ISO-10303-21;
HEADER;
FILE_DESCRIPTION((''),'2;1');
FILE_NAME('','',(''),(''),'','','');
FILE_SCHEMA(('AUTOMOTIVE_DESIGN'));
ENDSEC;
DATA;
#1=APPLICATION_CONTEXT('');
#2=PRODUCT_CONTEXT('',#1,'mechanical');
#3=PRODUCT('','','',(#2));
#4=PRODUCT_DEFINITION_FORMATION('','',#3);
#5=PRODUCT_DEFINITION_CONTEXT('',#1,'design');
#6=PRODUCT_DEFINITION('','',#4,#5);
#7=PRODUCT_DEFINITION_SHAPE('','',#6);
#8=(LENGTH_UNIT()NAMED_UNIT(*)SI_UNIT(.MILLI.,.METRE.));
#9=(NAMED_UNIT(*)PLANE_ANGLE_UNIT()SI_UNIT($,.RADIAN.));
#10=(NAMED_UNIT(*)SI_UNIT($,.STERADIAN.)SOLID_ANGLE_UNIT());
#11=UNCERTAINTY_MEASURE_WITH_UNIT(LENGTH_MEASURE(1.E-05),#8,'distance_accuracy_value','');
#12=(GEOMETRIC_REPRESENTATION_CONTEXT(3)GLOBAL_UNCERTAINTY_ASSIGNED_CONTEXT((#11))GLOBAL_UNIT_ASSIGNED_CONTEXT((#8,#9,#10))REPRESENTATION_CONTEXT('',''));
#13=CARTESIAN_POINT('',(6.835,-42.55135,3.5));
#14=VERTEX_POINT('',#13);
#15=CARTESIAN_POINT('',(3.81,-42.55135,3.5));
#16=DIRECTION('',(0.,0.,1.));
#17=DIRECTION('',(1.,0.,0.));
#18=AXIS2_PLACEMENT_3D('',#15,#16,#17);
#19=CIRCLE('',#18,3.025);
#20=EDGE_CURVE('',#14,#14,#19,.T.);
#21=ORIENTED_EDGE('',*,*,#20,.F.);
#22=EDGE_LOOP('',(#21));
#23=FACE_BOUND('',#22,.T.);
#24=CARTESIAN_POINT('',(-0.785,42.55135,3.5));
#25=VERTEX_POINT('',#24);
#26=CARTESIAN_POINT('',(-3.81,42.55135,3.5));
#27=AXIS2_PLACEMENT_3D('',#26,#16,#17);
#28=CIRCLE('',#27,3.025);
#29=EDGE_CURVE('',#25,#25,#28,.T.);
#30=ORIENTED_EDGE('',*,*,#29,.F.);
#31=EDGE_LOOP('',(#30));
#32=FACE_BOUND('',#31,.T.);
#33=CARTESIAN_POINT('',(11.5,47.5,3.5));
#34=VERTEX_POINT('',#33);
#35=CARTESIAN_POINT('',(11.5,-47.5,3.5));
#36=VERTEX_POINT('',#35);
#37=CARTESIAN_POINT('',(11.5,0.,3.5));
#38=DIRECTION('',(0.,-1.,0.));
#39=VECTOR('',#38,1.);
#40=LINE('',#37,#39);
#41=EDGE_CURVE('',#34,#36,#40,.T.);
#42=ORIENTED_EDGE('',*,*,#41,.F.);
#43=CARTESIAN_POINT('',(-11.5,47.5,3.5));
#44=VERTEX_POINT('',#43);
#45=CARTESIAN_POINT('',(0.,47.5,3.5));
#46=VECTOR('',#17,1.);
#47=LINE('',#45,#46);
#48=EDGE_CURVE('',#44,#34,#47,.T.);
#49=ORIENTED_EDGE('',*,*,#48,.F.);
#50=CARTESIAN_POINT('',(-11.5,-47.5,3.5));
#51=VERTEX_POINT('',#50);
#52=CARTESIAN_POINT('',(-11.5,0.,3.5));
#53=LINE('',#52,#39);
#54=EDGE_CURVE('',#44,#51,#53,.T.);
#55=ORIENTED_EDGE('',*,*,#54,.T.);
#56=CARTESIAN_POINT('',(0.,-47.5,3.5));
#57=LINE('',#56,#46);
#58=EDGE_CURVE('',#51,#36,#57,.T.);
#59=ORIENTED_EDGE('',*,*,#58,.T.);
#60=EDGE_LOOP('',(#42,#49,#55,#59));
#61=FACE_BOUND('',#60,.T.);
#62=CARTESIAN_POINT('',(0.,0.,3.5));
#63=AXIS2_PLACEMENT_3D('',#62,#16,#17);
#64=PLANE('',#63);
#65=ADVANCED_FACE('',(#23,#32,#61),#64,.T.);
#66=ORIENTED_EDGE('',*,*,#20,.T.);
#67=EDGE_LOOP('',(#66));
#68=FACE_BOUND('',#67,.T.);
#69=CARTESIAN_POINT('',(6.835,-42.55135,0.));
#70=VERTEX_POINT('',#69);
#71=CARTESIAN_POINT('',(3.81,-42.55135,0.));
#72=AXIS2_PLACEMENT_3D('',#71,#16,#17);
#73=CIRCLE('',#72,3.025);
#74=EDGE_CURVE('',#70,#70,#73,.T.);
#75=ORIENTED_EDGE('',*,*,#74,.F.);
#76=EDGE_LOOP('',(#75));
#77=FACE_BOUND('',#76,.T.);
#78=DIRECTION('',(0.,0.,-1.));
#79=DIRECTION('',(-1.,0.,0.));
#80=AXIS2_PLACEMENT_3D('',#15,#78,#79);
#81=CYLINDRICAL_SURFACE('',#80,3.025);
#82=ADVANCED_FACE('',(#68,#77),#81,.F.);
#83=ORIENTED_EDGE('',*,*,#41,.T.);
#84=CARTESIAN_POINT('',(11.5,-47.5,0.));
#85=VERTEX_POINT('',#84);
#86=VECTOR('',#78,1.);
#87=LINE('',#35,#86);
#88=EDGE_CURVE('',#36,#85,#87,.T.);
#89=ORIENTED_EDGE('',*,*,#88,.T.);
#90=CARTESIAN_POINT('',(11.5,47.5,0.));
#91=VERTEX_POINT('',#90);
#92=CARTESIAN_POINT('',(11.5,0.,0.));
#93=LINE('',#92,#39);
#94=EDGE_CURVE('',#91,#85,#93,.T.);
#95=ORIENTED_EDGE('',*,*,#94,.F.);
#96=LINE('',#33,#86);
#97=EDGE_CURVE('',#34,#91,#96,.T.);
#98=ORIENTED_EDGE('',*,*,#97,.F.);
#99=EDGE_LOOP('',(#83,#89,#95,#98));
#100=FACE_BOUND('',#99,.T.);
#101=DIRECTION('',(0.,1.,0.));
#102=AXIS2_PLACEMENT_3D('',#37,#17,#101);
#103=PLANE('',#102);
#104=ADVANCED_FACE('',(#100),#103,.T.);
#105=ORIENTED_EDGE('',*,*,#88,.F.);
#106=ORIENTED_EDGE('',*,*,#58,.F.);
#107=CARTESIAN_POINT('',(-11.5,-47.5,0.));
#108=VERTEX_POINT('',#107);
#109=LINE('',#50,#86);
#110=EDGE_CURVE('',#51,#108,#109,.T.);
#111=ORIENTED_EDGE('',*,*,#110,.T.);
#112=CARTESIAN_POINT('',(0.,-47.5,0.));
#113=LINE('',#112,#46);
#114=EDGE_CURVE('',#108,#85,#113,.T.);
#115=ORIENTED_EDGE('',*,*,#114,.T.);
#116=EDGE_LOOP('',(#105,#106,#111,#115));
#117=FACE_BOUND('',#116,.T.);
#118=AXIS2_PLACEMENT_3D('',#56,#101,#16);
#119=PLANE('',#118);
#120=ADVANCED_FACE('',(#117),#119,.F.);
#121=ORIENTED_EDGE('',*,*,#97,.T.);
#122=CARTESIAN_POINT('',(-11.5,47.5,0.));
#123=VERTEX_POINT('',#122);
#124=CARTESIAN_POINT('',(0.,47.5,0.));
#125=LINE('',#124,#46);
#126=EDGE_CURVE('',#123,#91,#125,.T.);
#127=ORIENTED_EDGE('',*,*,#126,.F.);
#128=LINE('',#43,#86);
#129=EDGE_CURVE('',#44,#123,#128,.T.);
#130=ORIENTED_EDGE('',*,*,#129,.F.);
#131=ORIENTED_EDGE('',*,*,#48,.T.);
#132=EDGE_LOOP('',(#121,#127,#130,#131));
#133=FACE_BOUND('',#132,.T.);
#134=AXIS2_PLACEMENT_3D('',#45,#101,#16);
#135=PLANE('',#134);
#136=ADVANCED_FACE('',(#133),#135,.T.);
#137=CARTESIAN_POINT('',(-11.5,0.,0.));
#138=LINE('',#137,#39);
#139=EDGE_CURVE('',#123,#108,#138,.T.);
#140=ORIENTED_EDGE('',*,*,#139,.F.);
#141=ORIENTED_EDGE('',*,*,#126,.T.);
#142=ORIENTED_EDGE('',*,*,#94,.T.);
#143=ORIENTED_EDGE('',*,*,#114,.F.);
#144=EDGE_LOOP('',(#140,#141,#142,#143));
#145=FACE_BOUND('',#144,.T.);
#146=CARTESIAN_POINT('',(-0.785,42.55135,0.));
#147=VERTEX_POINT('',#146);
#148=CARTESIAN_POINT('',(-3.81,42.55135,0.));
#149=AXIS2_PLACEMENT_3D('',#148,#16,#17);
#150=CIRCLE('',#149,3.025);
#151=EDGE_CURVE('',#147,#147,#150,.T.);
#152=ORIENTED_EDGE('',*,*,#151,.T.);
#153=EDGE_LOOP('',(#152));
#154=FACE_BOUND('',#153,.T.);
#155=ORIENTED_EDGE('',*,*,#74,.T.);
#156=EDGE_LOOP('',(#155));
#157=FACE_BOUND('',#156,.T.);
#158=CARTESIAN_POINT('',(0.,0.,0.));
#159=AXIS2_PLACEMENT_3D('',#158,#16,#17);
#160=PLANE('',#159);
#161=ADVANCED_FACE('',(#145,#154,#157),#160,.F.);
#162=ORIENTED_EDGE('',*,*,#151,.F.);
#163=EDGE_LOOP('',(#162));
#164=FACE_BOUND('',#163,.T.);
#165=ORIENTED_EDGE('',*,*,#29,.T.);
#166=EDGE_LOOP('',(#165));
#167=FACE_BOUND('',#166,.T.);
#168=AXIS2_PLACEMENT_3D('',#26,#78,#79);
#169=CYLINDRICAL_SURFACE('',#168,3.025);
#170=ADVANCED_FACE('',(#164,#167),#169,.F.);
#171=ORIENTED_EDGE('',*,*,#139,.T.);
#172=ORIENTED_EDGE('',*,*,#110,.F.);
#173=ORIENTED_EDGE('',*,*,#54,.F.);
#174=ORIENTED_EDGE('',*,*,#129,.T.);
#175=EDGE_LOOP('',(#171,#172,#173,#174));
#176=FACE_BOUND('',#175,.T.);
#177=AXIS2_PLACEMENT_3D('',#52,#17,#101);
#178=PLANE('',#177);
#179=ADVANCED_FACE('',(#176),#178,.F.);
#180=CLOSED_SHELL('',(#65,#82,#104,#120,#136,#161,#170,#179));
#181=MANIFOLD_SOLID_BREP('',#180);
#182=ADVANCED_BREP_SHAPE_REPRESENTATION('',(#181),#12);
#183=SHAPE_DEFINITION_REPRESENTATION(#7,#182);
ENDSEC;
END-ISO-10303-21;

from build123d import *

# Parameters (mm, degrees)
SKETCH1_W           = 23
SKETCH1_H           = 95
SKETCH1_R           = 3.025
BOSS_EXTRUDE1_DEPTH = 3.5


with BuildPart() as part:
    # Sketch1 → Boss-Extrude1 (new body)
    with BuildSketch(Plane.XY):
        Rectangle(SKETCH1_W, SKETCH1_H)
        with Locations((-3.81, 42.55135)):
            Circle(SKETCH1_R, mode=Mode.SUBTRACT)
        with Locations((3.81, -42.55135)):
            Circle(SKETCH1_R, mode=Mode.SUBTRACT)
    extrude(amount=BOSS_EXTRUDE1_DEPTH)


solid = part.part
